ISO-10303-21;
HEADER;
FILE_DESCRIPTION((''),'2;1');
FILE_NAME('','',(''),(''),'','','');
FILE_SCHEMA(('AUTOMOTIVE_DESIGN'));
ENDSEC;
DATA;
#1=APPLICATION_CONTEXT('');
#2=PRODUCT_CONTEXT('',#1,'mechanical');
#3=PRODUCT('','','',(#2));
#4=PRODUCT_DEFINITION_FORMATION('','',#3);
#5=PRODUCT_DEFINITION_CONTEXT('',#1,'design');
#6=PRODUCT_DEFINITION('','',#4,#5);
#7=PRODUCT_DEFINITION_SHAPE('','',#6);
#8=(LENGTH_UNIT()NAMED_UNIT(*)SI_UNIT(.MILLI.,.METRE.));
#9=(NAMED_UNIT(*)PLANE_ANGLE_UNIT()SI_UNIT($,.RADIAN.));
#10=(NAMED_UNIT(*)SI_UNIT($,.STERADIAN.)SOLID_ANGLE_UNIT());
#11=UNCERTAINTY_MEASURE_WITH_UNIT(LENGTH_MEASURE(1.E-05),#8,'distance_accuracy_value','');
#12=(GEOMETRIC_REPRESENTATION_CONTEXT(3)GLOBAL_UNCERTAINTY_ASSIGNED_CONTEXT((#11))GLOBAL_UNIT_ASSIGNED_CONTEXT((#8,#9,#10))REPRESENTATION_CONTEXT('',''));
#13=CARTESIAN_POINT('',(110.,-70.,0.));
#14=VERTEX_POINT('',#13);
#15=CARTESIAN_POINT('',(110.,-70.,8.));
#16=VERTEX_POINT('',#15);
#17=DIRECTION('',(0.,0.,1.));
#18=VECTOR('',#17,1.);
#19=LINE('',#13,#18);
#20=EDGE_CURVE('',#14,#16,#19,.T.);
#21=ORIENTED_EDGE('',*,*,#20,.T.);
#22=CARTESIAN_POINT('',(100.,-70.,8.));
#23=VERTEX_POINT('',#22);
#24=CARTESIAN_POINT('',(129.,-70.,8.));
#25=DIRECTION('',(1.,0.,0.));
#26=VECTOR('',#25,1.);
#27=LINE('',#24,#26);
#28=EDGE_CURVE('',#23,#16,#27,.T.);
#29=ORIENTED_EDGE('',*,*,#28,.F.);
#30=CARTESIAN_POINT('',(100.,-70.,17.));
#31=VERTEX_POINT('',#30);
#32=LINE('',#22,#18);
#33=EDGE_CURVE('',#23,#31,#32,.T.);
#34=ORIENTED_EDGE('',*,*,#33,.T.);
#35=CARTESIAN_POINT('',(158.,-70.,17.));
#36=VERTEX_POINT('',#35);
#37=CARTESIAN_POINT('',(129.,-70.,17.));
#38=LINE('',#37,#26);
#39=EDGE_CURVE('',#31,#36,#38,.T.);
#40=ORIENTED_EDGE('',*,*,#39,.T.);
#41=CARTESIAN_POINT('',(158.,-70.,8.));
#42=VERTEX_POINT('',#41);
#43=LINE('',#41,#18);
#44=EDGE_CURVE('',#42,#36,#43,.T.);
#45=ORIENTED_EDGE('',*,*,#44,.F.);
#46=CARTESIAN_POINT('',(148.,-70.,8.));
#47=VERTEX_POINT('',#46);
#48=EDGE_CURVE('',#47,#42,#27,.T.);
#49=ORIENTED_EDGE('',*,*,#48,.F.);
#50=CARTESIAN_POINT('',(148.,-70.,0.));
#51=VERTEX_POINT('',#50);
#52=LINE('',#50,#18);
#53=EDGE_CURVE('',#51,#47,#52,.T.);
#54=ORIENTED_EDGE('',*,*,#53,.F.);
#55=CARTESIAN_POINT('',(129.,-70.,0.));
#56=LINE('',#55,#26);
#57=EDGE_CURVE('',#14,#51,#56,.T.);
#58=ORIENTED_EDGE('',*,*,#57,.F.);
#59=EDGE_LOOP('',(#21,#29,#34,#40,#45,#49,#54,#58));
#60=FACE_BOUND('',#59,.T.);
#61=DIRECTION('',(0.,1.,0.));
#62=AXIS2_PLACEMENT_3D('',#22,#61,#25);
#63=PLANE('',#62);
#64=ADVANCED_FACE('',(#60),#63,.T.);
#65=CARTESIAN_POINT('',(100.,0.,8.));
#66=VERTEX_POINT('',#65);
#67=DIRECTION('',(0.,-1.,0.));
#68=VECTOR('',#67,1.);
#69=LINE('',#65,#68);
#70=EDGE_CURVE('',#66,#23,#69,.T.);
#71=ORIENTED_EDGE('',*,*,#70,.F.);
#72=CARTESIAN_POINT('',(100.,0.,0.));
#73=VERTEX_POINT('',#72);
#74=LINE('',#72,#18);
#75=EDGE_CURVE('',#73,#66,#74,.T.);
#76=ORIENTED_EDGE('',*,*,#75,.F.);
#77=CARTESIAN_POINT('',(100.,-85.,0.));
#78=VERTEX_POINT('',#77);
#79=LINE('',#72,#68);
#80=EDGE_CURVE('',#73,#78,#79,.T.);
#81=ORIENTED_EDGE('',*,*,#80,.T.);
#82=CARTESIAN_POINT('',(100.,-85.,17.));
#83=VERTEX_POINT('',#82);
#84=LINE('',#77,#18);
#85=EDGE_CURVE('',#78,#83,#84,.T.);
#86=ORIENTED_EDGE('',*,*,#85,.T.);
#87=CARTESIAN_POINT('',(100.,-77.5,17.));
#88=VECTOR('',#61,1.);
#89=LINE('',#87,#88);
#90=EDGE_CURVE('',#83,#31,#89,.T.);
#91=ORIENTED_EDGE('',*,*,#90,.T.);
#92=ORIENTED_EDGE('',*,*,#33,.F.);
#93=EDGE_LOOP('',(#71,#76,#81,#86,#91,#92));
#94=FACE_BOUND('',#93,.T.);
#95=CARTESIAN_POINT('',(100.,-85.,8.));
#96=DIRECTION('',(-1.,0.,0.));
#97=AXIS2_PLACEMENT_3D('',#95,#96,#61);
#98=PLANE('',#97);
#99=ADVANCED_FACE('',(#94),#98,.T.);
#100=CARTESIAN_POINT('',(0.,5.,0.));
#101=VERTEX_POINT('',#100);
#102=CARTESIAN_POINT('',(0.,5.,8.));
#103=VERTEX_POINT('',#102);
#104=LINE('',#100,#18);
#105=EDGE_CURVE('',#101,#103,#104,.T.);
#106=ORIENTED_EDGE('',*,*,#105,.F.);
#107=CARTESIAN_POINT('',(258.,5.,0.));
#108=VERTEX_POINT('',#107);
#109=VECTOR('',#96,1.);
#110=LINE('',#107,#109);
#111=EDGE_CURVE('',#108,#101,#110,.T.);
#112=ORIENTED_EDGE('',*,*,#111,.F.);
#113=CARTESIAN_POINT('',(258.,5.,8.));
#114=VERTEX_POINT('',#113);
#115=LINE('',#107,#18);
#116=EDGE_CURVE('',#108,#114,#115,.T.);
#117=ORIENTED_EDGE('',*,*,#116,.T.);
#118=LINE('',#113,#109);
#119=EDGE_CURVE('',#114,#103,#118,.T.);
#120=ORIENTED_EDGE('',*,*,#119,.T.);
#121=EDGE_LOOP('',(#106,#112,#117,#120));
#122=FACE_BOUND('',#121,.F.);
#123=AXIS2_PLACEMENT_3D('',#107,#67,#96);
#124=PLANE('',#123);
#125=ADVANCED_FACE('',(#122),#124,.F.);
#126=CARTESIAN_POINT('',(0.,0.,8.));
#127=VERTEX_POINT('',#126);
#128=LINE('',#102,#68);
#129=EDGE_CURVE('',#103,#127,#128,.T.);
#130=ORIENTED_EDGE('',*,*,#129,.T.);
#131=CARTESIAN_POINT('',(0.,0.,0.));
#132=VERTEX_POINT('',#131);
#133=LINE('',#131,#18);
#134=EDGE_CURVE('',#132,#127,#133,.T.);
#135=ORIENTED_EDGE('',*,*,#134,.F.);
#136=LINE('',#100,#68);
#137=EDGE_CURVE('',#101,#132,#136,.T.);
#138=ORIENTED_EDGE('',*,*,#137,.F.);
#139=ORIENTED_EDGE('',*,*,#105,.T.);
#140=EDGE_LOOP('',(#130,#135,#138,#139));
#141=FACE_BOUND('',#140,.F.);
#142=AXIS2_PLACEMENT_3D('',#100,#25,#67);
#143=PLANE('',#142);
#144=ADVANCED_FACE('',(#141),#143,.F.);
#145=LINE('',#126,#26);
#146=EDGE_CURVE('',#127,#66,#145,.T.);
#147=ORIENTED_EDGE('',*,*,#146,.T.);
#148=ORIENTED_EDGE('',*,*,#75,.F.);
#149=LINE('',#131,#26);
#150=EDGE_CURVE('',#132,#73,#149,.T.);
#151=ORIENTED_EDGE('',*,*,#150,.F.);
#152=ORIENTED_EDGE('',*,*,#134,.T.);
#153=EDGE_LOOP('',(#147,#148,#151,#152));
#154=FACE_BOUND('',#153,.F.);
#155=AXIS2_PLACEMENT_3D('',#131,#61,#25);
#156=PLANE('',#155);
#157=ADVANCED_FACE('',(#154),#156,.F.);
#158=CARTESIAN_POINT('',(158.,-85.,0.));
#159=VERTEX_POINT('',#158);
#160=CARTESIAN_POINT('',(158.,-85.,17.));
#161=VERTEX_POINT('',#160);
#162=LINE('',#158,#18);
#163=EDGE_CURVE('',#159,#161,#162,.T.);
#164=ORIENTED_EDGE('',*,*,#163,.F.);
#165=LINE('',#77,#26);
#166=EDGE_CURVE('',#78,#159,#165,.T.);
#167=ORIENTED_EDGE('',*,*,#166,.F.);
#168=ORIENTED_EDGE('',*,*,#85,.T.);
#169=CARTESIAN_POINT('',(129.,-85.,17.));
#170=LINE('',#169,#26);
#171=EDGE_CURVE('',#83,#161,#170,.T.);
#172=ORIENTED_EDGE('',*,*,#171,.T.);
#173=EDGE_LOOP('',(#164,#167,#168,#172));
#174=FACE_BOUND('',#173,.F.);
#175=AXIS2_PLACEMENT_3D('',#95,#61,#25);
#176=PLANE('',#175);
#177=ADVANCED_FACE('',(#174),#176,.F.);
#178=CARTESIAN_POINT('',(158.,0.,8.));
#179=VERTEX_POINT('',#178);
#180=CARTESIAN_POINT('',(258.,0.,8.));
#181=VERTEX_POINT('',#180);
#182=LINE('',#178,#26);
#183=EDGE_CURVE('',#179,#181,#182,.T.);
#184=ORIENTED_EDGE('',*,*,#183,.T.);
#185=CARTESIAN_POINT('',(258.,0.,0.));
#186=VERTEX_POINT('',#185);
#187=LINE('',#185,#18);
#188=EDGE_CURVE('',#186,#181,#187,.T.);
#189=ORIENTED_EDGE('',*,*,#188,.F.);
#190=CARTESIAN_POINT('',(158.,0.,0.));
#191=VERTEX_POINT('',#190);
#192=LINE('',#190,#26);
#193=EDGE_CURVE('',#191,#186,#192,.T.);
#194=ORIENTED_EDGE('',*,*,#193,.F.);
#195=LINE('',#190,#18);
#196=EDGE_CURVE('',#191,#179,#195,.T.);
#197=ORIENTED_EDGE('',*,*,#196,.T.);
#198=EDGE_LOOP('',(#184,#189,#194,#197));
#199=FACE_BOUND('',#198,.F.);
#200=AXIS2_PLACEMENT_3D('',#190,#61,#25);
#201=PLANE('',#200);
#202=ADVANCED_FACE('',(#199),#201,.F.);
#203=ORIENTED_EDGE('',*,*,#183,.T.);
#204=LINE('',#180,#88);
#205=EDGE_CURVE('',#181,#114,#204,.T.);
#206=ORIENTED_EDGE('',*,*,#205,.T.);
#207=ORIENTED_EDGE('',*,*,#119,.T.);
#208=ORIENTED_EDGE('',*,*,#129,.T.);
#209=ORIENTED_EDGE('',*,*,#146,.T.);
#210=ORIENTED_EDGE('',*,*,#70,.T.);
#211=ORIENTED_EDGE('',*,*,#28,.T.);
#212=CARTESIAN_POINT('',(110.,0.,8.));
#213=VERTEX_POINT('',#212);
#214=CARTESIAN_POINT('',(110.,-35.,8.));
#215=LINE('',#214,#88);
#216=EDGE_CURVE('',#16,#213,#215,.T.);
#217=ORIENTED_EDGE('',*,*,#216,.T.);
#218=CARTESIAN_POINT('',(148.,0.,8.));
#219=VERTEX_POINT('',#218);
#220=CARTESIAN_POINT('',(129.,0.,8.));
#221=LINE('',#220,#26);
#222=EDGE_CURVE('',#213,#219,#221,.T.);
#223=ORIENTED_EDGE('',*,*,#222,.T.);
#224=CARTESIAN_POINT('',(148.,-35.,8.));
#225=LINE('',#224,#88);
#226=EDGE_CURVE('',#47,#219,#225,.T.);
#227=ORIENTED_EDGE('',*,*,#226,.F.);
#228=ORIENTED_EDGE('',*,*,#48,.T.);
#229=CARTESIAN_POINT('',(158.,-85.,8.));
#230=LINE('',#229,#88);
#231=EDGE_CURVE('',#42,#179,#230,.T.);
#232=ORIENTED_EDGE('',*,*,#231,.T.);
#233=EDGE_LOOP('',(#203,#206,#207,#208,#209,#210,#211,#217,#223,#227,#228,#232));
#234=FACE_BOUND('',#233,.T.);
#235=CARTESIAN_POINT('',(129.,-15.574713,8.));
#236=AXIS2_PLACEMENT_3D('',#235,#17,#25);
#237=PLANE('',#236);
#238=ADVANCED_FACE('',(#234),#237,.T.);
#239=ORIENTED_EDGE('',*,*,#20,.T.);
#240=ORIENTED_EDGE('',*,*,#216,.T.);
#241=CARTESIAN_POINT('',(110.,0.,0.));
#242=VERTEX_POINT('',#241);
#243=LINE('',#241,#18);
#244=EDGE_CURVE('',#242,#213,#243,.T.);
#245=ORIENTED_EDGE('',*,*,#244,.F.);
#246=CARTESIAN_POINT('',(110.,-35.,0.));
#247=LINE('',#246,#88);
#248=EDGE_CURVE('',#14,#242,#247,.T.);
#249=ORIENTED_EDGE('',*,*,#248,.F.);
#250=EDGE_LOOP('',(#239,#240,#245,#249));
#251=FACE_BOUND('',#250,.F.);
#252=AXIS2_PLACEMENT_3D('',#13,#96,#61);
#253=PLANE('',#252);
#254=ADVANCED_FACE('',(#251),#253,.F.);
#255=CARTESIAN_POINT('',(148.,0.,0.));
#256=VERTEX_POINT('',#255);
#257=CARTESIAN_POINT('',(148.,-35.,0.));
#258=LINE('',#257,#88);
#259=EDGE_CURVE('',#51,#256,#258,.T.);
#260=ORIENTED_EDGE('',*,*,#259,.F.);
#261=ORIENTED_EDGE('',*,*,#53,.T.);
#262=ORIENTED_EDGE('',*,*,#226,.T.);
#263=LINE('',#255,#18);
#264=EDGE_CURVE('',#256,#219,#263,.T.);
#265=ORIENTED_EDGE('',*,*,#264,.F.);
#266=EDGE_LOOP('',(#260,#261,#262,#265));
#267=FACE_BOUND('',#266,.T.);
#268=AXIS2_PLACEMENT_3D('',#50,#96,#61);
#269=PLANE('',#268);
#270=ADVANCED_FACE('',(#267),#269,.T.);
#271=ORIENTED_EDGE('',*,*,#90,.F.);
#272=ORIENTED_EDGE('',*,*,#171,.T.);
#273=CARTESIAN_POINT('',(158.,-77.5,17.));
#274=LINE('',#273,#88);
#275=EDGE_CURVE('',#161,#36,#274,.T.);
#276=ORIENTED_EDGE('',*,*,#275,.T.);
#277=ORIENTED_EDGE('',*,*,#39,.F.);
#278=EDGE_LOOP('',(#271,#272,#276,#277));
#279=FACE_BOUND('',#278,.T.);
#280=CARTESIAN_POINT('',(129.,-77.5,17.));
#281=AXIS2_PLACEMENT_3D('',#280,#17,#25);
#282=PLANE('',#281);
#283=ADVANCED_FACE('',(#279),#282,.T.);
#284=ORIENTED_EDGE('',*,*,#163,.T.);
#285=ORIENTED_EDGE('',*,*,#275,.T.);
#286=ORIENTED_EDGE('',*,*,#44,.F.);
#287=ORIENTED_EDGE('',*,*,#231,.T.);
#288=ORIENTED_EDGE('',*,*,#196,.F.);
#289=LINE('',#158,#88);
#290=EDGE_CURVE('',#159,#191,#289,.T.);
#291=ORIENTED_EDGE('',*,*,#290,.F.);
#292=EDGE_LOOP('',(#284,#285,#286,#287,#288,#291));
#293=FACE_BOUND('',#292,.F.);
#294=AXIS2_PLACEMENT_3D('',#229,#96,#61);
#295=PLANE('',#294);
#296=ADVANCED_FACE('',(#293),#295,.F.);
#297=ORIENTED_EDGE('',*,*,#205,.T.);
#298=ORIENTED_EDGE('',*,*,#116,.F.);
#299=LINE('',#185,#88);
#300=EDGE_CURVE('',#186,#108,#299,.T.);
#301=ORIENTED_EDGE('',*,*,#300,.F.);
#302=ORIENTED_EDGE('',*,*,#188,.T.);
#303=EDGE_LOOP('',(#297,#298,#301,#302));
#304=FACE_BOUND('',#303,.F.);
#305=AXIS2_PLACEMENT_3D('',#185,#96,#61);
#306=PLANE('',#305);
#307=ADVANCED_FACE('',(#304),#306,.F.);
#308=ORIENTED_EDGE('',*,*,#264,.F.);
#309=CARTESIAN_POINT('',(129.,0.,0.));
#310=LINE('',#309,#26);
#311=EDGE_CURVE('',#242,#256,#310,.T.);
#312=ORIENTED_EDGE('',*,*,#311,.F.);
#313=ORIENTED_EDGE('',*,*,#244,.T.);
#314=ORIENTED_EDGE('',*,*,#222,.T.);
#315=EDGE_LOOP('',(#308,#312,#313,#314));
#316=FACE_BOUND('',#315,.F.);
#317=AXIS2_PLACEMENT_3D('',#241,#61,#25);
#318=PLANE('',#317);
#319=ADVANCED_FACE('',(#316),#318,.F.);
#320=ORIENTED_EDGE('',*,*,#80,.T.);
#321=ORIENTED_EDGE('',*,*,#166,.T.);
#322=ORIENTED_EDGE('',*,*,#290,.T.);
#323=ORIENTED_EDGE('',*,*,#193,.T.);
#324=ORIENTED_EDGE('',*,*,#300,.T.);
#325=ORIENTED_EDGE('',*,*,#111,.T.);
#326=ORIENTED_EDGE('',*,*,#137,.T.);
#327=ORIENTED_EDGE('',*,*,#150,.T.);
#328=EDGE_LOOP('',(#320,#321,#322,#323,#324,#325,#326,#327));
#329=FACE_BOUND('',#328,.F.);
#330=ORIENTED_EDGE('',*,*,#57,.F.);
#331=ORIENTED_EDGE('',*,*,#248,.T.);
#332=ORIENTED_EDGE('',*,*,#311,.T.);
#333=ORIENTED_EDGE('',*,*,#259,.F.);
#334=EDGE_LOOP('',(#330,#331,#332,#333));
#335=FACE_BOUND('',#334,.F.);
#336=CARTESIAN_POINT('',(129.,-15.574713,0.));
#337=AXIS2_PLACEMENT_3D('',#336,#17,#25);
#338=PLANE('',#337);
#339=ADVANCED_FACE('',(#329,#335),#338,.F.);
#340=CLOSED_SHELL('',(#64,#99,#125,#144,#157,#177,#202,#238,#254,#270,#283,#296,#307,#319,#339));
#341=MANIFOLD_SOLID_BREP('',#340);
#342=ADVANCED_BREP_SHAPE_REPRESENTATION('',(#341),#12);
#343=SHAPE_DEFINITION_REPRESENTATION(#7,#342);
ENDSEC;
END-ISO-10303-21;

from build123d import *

# Parameters (mm, degrees)
SKETCH_W     = 38
SKETCH_H     = 70
PAD_DEPTH    = 8
SKETCH001_W  = 58
SKETCH001_H  = 15
PAD001_DEPTH = 9


with BuildPart() as part:
    # Sketch → Pad (new body)
    with BuildSketch(Plane.XY):
        Polygon((258, 0), (258, 5), (0, 5), (0, 0), (100, 0), (100, -85), (110, -85), (148, -85), (158, -85), (158, 0), align=None)
        with Locations((129, -35)):
            Rectangle(SKETCH_W, SKETCH_H, mode=Mode.SUBTRACT)
    extrude(amount=PAD_DEPTH)

    # Sketch001 (on Face16 of Pad) → Pad001 (join)
    with BuildSketch(Plane.XY.offset(8)):
        with Locations((129, -77.5)):
            Rectangle(SKETCH001_W, SKETCH001_H)
    extrude(amount=PAD001_DEPTH)


solid = part.part
